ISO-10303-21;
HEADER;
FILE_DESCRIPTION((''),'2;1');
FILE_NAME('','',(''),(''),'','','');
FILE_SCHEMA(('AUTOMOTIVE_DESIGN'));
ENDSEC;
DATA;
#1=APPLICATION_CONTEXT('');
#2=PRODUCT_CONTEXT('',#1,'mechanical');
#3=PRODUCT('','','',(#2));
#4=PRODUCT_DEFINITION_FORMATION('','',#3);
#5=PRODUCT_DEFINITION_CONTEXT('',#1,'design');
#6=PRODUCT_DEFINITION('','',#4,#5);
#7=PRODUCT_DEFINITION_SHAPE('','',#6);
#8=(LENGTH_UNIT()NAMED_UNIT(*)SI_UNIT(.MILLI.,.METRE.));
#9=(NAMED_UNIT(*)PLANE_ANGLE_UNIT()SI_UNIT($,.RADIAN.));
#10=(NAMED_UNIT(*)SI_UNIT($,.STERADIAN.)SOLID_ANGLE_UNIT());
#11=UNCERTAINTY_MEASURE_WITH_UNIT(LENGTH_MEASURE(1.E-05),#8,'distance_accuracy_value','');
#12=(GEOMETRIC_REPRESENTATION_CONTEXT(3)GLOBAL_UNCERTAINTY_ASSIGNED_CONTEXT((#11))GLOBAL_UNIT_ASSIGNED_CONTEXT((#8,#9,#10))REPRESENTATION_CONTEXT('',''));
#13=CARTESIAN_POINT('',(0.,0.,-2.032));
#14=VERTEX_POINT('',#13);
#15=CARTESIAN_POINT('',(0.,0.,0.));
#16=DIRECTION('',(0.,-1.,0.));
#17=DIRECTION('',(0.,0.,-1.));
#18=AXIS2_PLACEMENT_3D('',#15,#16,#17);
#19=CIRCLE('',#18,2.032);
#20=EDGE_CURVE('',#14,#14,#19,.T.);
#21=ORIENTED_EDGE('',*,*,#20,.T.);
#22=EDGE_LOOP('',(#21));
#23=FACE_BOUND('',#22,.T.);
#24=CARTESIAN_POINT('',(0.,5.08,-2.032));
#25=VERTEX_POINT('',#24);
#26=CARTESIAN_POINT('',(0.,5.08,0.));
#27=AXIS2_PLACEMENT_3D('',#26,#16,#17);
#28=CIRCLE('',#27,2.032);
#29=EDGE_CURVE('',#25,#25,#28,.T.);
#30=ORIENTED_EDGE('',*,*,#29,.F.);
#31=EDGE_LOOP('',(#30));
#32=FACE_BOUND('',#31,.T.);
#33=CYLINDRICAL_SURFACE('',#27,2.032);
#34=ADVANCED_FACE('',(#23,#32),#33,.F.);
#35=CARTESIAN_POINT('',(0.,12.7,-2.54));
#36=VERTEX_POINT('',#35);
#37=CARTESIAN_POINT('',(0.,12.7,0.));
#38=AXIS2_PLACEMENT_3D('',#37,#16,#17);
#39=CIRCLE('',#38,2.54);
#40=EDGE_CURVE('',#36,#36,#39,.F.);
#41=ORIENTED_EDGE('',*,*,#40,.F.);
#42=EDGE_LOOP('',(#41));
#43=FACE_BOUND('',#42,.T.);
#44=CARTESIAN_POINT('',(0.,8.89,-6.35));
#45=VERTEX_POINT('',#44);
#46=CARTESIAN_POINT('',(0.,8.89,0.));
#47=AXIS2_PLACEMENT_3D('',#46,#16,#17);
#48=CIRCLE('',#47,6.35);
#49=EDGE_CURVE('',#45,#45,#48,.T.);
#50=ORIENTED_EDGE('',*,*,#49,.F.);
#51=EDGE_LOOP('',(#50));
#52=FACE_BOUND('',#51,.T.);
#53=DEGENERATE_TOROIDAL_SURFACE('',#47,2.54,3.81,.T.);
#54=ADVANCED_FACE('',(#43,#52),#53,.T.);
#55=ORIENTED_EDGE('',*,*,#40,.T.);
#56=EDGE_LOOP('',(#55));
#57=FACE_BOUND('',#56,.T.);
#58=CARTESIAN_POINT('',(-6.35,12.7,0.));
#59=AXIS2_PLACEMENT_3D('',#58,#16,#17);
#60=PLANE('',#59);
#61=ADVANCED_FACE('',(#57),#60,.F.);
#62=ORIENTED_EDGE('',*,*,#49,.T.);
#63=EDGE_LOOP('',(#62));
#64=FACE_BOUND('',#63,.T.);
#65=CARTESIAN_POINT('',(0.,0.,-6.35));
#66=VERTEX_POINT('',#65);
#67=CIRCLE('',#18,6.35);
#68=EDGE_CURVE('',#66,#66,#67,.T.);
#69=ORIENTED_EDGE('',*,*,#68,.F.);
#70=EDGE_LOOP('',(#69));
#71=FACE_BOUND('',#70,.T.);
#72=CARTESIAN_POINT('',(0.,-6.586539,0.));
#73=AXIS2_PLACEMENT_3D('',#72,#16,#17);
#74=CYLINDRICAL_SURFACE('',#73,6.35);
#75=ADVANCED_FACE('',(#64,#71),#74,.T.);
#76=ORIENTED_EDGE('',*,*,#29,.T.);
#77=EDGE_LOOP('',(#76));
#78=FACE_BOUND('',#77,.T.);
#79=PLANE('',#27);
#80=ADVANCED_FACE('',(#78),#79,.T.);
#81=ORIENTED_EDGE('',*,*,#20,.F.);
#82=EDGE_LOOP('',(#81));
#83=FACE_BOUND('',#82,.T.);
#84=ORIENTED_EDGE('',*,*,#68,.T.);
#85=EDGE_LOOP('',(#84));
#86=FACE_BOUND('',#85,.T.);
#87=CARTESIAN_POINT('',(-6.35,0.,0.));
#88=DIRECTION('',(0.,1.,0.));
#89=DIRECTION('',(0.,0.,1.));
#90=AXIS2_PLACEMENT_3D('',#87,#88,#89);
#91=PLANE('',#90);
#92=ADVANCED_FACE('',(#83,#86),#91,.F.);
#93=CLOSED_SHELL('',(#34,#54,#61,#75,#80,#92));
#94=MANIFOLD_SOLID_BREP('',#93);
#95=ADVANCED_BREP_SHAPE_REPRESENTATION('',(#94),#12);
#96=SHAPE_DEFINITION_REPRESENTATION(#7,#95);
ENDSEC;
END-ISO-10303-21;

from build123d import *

# Parameters (mm, degrees)
SKETCH1_W          = 6.35
SKETCH1_H          = 12.7
FILLET1_R          = 3.81
SKETCH2_R          = 2.032
CUT_EXTRUDE1_DEPTH = 5.08


with BuildPart() as part:
    # Sketch1 → Revolve3 (revolve)
    with BuildSketch(Plane.XY, mode=Mode.PRIVATE) as revolve3_sk:
        with Locations((-3.175, 6.35)):
            Rectangle(SKETCH1_W, SKETCH1_H)
    revolve(revolve3_sk.sketch.rotate(Axis((0, -6.586539343, 0), (0, 1, 0)), 270), axis=Axis((0, -6.586539343, 0), (0, 1, 0)))

    # Fillet1
    fillet1_edges = [part.edges().sort_by_distance(p)[0] for p in [
        (0, 12.7, 6.35),
    ]]
    fillet(fillet1_edges, radius=FILLET1_R)

    # Sketch2 → Cut-Extrude1 (cut)
    with BuildSketch(Plane(origin=(0, 0, 0), x_dir=(-1, 0, 0), z_dir=(0, -1, 0))):
        with Locations(Location((0, 0, 0), (0, 0, 90))):
            Circle(SKETCH2_R)
    extrude(amount=-CUT_EXTRUDE1_DEPTH, mode=Mode.SUBTRACT)


solid = part.part
